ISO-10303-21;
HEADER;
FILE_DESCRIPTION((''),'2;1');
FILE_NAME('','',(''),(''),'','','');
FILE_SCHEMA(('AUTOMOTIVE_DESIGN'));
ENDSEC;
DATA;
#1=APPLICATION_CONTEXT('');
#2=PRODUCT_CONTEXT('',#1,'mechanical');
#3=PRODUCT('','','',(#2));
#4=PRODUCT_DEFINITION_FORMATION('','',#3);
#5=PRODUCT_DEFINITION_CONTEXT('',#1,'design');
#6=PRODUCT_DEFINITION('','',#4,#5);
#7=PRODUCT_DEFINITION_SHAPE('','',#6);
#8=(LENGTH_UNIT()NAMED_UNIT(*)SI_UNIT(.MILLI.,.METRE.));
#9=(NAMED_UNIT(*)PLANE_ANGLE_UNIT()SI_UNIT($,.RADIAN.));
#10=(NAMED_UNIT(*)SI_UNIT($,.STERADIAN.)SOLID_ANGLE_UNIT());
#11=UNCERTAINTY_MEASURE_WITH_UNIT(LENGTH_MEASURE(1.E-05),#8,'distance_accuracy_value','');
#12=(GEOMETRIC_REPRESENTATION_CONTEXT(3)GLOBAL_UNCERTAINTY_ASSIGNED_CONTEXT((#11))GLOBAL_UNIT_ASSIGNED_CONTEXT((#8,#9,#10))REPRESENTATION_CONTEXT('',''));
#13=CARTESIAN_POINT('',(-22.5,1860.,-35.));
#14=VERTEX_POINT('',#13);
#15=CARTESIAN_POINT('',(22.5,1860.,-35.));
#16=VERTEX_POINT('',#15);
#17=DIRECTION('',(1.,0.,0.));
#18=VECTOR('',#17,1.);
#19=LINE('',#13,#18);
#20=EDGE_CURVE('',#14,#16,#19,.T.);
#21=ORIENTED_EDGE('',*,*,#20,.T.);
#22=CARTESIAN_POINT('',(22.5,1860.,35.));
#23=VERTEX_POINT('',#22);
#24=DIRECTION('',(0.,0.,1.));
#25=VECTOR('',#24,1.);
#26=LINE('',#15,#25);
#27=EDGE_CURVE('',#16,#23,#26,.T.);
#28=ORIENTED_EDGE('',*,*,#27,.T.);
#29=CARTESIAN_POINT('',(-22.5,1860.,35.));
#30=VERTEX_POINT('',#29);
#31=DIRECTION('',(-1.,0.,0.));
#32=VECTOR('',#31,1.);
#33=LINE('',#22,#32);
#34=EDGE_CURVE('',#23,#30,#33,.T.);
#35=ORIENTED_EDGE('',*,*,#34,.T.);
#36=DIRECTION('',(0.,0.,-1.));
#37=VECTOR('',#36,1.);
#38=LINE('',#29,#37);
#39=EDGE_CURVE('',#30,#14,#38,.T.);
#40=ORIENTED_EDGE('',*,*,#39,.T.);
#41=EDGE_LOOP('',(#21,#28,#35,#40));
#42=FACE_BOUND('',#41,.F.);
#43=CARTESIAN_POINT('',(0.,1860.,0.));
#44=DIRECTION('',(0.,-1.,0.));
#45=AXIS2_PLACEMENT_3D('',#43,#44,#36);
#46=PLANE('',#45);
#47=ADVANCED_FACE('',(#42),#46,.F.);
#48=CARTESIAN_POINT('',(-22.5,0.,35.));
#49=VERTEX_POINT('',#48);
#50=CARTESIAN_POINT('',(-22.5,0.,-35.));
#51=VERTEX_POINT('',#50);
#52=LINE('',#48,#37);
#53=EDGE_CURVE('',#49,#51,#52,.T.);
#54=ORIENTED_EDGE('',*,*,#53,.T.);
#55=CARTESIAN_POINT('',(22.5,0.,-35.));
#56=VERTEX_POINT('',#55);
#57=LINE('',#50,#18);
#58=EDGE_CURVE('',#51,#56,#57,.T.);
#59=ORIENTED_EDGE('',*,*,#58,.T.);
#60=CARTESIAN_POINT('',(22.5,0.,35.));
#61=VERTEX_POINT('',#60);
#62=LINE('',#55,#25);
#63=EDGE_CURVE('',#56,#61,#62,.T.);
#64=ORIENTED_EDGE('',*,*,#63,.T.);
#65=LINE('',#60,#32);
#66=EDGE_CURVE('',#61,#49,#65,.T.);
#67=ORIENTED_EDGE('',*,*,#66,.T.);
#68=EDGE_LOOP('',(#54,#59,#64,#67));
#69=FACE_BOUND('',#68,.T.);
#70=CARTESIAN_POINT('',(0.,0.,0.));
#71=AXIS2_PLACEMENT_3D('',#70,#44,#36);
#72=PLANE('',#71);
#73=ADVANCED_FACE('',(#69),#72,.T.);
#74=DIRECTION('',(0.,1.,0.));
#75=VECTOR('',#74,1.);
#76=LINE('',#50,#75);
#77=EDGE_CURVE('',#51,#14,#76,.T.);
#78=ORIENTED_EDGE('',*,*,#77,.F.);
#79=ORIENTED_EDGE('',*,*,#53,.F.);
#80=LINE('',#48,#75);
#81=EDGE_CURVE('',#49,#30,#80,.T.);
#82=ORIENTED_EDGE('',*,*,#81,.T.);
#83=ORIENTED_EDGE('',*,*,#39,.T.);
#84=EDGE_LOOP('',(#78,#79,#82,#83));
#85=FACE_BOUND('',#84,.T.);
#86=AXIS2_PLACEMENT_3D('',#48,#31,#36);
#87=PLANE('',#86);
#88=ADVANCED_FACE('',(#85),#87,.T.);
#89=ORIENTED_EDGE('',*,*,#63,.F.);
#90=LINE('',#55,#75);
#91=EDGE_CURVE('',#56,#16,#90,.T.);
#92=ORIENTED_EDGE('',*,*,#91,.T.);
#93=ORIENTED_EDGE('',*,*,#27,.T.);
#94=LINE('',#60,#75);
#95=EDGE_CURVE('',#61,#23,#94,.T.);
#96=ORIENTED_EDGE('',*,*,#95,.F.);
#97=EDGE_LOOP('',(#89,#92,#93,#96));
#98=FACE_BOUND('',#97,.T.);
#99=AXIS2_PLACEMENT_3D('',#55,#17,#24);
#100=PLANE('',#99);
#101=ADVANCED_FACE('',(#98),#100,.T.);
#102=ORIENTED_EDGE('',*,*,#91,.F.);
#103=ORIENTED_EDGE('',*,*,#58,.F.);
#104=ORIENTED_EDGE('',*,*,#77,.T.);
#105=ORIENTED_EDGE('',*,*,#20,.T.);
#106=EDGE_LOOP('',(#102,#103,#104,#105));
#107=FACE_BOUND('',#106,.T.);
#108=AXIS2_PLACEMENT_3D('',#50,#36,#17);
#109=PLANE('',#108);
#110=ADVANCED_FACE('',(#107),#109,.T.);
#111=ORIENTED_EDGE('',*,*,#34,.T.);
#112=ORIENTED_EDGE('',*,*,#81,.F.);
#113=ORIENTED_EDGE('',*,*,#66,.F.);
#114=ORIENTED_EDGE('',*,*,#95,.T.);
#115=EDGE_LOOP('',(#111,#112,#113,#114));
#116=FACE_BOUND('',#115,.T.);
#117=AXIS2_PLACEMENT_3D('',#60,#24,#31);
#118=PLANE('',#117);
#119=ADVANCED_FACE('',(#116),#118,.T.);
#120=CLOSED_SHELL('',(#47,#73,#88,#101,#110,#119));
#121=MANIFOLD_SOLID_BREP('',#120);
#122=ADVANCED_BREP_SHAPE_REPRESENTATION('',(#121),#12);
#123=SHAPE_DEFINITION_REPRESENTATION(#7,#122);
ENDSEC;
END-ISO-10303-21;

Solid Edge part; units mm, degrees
sketch "Sketch1" plane through (0, 0, 0) normal (0, -1, 0) x (1, 0, 0)
  line L0 (-22.5, -35) -> (22.5, -35)
  line L1 (22.5, -35) -> (22.5, 35)
  line L2 (22.5, 35) -> (-22.5, 35)
  line L3 (-22.5, 35) -> (-22.5, -35)
extrude "Protrusion1" add sketch "Sketch1" against normal blind 1860
properties material "Wood, Pine"
